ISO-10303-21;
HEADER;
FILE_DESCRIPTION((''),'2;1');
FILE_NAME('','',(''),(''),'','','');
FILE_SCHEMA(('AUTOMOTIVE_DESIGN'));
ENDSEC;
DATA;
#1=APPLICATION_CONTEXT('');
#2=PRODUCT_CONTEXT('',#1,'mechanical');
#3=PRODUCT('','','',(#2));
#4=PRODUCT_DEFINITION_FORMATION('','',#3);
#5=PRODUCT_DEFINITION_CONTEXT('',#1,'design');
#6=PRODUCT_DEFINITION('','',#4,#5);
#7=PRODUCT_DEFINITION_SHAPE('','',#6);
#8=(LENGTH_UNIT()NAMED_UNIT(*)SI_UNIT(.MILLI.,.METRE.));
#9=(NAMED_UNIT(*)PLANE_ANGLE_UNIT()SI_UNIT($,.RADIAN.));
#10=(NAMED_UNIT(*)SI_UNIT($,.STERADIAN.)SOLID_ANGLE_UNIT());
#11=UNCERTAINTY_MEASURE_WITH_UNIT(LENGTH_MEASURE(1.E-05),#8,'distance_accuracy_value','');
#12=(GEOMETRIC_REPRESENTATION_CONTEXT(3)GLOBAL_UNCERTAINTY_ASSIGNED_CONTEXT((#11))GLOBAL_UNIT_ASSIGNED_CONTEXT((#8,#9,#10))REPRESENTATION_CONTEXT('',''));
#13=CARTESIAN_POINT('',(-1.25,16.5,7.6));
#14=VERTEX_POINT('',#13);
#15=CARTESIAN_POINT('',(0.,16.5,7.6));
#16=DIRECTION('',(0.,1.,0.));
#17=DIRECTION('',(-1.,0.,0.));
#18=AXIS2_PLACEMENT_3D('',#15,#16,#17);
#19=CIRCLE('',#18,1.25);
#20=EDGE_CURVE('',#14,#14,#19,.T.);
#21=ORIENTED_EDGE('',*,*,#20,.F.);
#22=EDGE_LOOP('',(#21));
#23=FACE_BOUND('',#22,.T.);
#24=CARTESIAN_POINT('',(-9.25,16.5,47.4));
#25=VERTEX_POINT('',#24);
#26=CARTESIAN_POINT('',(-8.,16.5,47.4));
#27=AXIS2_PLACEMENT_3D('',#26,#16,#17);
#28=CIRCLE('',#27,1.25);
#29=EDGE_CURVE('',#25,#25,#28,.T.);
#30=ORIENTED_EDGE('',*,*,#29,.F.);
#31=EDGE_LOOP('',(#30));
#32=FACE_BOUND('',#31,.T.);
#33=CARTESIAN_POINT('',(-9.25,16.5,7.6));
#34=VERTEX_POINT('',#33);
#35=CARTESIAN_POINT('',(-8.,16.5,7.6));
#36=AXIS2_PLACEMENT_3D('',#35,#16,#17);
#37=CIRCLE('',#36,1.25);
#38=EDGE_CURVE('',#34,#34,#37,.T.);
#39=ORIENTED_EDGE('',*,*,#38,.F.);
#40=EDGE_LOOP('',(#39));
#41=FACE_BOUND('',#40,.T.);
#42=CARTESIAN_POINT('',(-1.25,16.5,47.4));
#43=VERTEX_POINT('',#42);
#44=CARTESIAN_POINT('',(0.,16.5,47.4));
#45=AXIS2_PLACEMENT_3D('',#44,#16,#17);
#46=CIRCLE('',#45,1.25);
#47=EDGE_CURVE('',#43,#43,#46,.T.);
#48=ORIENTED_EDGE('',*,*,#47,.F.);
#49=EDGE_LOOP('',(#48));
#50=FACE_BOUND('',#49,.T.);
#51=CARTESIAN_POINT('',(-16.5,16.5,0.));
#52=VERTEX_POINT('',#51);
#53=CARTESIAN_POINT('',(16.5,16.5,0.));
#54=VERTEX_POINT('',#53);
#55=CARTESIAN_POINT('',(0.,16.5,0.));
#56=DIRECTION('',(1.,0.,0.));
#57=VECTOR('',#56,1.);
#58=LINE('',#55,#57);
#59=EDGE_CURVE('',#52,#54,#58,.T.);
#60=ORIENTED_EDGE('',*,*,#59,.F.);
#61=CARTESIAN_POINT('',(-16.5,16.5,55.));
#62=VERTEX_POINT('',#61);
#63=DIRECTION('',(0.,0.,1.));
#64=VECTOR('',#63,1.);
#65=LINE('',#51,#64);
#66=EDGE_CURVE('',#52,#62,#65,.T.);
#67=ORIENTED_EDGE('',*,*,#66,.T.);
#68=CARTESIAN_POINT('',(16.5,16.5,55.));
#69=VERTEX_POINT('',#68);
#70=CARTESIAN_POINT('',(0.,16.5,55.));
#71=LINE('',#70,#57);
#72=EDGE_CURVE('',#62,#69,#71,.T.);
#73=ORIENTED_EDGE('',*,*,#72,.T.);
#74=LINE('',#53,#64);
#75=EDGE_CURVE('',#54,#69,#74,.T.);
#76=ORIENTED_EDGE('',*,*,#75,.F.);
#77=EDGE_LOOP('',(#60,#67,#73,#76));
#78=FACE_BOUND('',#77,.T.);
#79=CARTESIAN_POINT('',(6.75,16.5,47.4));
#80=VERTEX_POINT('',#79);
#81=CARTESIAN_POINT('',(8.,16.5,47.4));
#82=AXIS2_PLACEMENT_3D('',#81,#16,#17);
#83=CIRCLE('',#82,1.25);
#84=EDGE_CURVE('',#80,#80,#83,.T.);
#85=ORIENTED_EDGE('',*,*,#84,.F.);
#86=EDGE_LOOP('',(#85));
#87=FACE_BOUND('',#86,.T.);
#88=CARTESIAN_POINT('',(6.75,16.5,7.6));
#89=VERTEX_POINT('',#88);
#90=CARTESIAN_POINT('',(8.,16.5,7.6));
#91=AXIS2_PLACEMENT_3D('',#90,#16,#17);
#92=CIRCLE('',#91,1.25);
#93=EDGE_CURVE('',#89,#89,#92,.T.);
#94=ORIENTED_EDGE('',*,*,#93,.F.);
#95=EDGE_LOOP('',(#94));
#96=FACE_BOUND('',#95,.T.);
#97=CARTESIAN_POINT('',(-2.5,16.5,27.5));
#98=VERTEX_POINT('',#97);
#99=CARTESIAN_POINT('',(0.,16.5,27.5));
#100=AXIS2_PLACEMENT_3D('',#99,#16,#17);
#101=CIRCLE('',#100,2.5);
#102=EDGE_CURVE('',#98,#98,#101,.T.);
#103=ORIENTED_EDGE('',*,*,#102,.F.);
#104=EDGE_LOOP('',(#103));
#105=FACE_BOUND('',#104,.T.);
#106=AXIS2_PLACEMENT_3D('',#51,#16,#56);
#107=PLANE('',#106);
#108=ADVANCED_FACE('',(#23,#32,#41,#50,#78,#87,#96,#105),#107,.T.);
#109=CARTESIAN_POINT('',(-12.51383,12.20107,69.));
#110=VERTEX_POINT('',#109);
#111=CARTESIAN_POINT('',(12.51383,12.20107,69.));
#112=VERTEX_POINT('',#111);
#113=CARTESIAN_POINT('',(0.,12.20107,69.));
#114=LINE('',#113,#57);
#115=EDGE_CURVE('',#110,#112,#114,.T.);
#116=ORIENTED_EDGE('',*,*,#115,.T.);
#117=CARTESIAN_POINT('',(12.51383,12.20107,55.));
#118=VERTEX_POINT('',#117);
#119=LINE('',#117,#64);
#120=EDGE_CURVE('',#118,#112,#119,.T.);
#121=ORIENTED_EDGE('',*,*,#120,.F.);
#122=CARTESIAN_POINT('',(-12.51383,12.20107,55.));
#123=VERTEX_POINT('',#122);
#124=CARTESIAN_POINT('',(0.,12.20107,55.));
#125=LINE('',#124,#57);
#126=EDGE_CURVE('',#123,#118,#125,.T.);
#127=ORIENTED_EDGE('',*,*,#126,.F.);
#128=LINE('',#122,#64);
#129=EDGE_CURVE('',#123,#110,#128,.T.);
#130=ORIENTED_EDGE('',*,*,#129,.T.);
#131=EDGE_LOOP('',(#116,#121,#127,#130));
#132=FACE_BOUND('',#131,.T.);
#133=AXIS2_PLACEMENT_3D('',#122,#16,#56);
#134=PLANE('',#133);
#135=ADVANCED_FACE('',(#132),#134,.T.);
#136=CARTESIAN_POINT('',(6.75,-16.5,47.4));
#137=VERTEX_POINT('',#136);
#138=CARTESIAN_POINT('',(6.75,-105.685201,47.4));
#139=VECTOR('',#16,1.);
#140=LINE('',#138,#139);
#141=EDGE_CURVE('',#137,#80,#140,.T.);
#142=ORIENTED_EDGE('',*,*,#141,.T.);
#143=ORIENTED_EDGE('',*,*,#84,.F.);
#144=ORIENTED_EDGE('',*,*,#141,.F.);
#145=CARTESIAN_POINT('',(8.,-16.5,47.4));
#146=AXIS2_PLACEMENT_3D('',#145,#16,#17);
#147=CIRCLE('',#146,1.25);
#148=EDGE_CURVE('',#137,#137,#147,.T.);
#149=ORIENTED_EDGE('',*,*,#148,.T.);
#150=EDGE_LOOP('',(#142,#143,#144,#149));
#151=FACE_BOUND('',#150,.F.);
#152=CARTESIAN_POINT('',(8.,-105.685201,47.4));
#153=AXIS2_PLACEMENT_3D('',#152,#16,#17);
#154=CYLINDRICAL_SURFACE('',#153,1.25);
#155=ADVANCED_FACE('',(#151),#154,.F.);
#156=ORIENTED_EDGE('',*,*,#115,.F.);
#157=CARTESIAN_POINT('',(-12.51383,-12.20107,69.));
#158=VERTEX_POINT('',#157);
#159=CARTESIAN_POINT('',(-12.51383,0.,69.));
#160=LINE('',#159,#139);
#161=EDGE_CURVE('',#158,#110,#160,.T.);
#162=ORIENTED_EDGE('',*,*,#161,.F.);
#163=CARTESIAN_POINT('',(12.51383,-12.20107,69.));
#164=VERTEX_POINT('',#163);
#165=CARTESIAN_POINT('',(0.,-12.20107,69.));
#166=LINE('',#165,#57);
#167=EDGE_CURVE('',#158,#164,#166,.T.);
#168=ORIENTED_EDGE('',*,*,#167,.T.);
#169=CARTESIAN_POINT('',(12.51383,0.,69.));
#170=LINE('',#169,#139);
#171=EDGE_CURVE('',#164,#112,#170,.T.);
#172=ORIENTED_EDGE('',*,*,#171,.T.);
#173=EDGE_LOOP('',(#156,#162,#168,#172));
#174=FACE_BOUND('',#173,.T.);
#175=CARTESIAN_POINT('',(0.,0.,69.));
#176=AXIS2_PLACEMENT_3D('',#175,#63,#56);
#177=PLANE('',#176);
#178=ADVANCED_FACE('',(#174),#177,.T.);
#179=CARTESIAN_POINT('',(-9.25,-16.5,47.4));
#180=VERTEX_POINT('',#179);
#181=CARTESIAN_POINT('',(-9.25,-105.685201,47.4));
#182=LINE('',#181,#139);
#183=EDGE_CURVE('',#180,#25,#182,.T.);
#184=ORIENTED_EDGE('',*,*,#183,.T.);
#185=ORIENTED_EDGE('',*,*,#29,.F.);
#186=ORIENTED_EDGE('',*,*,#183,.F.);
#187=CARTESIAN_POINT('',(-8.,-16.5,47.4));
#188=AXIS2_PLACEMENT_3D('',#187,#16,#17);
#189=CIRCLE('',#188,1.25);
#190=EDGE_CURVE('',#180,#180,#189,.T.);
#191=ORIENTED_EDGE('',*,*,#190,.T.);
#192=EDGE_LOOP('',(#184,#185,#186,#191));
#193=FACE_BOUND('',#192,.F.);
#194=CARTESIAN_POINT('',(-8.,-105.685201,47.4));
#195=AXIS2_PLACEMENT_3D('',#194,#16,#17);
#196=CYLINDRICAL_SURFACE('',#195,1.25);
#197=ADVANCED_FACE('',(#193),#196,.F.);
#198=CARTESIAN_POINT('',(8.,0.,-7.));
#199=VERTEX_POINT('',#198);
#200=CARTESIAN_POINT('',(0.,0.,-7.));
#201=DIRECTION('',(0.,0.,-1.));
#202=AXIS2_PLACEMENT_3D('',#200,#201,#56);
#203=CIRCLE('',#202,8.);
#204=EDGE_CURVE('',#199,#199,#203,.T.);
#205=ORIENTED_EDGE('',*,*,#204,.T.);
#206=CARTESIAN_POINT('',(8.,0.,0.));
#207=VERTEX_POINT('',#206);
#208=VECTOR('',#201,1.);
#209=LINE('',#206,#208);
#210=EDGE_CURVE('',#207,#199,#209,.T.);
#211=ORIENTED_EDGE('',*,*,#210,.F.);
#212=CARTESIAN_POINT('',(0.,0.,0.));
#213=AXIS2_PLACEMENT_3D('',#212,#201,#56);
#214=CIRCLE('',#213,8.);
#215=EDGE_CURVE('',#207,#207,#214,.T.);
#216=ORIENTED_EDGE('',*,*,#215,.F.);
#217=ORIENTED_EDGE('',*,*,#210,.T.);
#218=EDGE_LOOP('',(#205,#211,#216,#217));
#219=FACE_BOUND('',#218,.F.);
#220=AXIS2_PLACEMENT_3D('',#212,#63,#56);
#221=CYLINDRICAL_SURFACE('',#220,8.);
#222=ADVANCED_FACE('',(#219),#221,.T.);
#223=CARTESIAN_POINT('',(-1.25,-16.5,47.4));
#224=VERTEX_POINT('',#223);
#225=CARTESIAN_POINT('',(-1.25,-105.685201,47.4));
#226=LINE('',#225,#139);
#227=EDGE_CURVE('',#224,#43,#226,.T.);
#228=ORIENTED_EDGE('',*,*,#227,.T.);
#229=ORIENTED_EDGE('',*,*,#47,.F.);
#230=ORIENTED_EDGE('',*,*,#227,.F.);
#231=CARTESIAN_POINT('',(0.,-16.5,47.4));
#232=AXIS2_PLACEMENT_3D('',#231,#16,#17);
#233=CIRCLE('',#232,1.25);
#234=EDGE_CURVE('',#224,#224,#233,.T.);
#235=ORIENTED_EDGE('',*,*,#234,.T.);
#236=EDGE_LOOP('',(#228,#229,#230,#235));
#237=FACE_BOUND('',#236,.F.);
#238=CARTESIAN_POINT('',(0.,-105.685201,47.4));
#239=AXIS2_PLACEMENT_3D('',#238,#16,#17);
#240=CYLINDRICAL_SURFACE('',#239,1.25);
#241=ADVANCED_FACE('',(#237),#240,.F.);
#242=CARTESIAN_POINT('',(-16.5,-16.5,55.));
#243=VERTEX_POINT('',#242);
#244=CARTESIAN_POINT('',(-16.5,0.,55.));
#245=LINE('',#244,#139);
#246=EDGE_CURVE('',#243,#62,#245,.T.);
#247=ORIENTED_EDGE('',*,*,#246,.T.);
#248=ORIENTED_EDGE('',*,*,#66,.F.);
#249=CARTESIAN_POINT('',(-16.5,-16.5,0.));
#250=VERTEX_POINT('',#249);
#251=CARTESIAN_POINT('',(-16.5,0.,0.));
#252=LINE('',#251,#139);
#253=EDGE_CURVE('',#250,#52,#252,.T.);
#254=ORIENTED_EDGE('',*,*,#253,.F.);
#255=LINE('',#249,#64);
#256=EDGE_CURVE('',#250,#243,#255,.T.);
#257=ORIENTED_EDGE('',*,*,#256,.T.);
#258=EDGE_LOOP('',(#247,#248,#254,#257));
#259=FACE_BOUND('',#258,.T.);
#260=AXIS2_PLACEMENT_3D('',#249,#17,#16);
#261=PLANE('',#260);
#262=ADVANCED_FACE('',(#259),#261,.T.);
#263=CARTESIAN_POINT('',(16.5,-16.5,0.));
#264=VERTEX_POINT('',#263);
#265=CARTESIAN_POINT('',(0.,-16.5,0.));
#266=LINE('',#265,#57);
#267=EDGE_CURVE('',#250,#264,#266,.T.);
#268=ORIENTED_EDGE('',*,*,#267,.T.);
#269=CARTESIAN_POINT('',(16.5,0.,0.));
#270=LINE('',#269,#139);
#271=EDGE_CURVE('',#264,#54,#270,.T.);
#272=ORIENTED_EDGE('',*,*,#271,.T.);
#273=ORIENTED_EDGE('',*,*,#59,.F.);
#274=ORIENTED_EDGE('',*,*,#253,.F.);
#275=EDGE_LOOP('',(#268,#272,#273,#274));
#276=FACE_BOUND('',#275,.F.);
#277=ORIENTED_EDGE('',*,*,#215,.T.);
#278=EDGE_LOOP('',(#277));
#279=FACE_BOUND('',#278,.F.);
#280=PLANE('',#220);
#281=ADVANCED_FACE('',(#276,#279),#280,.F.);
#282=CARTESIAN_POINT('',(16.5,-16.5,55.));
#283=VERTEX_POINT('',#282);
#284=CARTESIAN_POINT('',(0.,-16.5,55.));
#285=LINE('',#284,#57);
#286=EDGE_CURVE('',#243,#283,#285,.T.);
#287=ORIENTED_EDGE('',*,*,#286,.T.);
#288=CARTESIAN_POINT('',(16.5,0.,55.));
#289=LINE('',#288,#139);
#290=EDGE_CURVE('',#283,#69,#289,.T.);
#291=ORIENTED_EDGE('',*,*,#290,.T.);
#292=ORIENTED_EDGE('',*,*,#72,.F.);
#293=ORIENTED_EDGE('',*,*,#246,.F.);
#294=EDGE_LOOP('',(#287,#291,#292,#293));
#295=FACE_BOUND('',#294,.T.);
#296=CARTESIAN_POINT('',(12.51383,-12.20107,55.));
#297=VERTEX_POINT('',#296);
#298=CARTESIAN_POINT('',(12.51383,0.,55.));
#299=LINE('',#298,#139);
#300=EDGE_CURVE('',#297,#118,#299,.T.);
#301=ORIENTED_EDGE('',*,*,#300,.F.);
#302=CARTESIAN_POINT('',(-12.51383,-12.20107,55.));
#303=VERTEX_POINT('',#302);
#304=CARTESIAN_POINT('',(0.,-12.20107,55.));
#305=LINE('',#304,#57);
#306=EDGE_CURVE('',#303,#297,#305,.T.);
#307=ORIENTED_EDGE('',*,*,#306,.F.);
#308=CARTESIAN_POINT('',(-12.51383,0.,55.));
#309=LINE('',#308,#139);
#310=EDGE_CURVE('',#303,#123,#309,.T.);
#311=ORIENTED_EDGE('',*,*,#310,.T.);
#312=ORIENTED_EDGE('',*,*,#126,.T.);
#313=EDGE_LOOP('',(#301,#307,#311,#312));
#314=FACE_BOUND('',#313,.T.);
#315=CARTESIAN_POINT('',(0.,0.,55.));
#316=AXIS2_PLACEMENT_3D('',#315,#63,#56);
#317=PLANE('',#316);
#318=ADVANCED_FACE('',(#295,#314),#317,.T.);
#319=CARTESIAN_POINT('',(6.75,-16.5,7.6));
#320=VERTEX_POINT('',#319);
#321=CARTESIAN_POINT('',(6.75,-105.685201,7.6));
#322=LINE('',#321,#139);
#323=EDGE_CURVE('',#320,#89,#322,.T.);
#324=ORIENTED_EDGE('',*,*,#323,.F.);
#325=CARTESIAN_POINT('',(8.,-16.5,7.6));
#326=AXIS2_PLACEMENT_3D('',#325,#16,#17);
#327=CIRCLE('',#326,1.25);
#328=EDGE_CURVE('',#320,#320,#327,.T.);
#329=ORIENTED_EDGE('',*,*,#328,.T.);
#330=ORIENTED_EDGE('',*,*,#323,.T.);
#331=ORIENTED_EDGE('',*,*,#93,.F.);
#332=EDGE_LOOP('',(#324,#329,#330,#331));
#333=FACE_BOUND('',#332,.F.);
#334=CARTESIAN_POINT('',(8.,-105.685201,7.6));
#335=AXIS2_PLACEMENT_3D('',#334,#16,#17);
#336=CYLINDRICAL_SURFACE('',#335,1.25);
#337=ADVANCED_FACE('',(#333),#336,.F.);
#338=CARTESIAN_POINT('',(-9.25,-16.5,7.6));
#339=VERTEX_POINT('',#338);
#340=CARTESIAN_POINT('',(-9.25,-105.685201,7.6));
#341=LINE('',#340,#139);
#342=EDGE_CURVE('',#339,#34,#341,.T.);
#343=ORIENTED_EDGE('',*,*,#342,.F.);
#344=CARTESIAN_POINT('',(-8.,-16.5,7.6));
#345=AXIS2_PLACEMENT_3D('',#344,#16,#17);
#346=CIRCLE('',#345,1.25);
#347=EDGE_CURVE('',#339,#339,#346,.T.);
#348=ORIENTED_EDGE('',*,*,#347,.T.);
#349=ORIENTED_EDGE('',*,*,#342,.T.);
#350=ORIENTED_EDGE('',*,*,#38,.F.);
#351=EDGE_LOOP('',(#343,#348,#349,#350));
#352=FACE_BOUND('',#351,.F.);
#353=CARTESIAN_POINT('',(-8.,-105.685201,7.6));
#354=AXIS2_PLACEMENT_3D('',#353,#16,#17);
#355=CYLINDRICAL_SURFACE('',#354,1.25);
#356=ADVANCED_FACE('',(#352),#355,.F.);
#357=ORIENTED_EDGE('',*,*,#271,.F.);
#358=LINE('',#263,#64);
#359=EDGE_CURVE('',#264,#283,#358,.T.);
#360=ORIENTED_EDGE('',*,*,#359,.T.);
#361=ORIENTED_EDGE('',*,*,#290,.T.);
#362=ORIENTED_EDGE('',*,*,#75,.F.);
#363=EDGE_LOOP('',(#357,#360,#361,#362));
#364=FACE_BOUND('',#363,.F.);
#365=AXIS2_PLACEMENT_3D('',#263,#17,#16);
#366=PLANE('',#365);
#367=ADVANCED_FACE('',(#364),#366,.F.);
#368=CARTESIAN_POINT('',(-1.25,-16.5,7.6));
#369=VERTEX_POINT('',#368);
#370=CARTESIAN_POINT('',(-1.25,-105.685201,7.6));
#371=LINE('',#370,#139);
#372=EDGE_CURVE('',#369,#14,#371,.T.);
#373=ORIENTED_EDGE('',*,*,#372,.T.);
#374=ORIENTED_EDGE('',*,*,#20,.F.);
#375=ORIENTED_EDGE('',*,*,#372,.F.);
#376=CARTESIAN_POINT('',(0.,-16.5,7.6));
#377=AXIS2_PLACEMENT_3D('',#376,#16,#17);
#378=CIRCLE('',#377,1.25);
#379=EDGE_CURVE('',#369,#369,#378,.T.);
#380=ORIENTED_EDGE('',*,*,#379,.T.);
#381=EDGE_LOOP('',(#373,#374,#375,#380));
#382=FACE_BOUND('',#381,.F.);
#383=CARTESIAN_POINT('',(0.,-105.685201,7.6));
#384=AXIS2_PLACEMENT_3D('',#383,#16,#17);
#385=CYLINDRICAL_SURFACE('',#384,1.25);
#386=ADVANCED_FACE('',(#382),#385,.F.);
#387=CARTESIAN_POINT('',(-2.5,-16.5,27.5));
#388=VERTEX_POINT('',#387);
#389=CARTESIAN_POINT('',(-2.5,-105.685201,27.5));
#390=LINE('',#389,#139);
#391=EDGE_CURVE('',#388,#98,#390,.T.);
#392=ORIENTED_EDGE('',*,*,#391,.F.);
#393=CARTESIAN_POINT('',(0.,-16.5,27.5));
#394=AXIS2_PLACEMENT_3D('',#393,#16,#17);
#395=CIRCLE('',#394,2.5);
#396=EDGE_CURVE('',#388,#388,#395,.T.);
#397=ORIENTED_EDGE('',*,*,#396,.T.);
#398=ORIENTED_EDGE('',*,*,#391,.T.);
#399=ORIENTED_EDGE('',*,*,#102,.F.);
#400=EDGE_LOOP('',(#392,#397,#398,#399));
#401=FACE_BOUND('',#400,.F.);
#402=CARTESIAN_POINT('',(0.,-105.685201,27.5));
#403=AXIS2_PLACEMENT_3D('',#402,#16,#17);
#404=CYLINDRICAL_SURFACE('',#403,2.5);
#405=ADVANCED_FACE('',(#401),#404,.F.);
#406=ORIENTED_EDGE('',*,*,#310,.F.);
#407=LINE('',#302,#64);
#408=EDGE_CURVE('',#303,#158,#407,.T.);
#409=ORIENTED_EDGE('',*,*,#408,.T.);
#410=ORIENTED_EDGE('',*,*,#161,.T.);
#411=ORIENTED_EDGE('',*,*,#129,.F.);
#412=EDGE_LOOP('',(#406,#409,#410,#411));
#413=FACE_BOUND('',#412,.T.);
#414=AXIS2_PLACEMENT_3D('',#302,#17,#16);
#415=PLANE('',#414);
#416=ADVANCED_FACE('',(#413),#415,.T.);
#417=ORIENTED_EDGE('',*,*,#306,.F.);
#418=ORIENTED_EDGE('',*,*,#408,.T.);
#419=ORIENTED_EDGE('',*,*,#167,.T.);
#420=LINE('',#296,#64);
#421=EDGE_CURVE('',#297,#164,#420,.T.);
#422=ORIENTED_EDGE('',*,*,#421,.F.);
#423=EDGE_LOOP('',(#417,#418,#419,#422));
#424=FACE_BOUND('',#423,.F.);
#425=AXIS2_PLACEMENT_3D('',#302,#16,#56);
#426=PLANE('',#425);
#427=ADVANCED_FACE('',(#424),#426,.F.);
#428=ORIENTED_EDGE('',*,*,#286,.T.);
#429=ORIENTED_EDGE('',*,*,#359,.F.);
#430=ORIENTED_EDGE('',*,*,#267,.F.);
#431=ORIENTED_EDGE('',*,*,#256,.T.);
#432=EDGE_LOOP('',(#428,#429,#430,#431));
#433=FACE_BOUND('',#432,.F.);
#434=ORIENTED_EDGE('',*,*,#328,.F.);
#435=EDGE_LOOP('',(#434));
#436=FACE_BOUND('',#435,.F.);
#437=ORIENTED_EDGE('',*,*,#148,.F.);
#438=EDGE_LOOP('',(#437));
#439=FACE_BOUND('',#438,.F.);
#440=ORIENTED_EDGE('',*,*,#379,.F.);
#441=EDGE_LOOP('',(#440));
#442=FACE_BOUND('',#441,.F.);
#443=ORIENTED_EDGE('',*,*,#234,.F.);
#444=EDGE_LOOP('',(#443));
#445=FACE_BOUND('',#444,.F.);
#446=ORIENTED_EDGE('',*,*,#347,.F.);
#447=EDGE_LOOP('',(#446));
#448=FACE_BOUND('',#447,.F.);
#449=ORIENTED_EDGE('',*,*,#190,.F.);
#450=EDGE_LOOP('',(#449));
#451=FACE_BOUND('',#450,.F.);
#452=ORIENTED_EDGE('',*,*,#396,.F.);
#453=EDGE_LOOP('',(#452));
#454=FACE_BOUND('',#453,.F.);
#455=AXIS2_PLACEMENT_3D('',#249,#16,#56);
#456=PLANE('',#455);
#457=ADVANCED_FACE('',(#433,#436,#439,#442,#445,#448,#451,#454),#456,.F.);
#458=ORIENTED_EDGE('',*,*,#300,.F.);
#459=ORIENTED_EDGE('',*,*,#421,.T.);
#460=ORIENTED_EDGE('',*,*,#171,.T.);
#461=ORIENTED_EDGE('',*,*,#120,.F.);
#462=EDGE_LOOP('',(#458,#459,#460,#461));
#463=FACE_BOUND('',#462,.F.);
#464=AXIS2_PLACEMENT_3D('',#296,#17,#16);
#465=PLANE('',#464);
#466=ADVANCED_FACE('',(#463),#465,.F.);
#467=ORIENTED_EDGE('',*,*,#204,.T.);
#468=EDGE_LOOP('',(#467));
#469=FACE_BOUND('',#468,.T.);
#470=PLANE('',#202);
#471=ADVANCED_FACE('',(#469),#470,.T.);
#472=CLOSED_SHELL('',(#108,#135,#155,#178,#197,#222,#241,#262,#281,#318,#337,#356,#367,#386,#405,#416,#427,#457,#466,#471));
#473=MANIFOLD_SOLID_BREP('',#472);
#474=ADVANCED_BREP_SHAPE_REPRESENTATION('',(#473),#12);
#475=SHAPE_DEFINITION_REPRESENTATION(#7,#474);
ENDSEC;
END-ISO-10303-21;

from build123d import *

# Parameters (mm, degrees)
F0_W     = 33
F0_H     = 33
F1_DEPTH = 55
F2_W     = 25.027660653
F2_H     = 24.4021397084
F3_DEPTH = 14
F4_R     = 8
F5_DEPTH = 7
F7_D     = 2.5
F8_D     = 5


with BuildPart() as f1:
    # F0 (on Top) → F1 (new body)
    with BuildSketch(Plane.XY):
        Rectangle(F0_W, F0_H)
    extrude(amount=F1_DEPTH)

    # F2 (on face) → F3 (join)
    with BuildSketch(Plane.XY.offset(55)):
        Rectangle(F2_W, F2_H)
    extrude(amount=F3_DEPTH)

    # F4 (on face) → F5 (join)
    with BuildSketch(Plane(origin=(0, 0, 0), x_dir=(1, 0, 0), z_dir=(0, 0, -1))):
        Circle(F4_R)
    extrude(amount=F5_DEPTH)

    # F7 (through all)
    with Locations(Plane.XZ.offset(16.5)):
        with Locations((-8, 47.4), (0, 47.4), (8, 47.4), (8, 7.6), (0, 7.6), (-8, 7.6)):
            Hole(F7_D / 2)

    # F8 (through all)
    with Locations(Plane.XZ.offset(16.5)):
        with Locations((0, 27.5)):
            Hole(F8_D / 2)


solid = f1.part
